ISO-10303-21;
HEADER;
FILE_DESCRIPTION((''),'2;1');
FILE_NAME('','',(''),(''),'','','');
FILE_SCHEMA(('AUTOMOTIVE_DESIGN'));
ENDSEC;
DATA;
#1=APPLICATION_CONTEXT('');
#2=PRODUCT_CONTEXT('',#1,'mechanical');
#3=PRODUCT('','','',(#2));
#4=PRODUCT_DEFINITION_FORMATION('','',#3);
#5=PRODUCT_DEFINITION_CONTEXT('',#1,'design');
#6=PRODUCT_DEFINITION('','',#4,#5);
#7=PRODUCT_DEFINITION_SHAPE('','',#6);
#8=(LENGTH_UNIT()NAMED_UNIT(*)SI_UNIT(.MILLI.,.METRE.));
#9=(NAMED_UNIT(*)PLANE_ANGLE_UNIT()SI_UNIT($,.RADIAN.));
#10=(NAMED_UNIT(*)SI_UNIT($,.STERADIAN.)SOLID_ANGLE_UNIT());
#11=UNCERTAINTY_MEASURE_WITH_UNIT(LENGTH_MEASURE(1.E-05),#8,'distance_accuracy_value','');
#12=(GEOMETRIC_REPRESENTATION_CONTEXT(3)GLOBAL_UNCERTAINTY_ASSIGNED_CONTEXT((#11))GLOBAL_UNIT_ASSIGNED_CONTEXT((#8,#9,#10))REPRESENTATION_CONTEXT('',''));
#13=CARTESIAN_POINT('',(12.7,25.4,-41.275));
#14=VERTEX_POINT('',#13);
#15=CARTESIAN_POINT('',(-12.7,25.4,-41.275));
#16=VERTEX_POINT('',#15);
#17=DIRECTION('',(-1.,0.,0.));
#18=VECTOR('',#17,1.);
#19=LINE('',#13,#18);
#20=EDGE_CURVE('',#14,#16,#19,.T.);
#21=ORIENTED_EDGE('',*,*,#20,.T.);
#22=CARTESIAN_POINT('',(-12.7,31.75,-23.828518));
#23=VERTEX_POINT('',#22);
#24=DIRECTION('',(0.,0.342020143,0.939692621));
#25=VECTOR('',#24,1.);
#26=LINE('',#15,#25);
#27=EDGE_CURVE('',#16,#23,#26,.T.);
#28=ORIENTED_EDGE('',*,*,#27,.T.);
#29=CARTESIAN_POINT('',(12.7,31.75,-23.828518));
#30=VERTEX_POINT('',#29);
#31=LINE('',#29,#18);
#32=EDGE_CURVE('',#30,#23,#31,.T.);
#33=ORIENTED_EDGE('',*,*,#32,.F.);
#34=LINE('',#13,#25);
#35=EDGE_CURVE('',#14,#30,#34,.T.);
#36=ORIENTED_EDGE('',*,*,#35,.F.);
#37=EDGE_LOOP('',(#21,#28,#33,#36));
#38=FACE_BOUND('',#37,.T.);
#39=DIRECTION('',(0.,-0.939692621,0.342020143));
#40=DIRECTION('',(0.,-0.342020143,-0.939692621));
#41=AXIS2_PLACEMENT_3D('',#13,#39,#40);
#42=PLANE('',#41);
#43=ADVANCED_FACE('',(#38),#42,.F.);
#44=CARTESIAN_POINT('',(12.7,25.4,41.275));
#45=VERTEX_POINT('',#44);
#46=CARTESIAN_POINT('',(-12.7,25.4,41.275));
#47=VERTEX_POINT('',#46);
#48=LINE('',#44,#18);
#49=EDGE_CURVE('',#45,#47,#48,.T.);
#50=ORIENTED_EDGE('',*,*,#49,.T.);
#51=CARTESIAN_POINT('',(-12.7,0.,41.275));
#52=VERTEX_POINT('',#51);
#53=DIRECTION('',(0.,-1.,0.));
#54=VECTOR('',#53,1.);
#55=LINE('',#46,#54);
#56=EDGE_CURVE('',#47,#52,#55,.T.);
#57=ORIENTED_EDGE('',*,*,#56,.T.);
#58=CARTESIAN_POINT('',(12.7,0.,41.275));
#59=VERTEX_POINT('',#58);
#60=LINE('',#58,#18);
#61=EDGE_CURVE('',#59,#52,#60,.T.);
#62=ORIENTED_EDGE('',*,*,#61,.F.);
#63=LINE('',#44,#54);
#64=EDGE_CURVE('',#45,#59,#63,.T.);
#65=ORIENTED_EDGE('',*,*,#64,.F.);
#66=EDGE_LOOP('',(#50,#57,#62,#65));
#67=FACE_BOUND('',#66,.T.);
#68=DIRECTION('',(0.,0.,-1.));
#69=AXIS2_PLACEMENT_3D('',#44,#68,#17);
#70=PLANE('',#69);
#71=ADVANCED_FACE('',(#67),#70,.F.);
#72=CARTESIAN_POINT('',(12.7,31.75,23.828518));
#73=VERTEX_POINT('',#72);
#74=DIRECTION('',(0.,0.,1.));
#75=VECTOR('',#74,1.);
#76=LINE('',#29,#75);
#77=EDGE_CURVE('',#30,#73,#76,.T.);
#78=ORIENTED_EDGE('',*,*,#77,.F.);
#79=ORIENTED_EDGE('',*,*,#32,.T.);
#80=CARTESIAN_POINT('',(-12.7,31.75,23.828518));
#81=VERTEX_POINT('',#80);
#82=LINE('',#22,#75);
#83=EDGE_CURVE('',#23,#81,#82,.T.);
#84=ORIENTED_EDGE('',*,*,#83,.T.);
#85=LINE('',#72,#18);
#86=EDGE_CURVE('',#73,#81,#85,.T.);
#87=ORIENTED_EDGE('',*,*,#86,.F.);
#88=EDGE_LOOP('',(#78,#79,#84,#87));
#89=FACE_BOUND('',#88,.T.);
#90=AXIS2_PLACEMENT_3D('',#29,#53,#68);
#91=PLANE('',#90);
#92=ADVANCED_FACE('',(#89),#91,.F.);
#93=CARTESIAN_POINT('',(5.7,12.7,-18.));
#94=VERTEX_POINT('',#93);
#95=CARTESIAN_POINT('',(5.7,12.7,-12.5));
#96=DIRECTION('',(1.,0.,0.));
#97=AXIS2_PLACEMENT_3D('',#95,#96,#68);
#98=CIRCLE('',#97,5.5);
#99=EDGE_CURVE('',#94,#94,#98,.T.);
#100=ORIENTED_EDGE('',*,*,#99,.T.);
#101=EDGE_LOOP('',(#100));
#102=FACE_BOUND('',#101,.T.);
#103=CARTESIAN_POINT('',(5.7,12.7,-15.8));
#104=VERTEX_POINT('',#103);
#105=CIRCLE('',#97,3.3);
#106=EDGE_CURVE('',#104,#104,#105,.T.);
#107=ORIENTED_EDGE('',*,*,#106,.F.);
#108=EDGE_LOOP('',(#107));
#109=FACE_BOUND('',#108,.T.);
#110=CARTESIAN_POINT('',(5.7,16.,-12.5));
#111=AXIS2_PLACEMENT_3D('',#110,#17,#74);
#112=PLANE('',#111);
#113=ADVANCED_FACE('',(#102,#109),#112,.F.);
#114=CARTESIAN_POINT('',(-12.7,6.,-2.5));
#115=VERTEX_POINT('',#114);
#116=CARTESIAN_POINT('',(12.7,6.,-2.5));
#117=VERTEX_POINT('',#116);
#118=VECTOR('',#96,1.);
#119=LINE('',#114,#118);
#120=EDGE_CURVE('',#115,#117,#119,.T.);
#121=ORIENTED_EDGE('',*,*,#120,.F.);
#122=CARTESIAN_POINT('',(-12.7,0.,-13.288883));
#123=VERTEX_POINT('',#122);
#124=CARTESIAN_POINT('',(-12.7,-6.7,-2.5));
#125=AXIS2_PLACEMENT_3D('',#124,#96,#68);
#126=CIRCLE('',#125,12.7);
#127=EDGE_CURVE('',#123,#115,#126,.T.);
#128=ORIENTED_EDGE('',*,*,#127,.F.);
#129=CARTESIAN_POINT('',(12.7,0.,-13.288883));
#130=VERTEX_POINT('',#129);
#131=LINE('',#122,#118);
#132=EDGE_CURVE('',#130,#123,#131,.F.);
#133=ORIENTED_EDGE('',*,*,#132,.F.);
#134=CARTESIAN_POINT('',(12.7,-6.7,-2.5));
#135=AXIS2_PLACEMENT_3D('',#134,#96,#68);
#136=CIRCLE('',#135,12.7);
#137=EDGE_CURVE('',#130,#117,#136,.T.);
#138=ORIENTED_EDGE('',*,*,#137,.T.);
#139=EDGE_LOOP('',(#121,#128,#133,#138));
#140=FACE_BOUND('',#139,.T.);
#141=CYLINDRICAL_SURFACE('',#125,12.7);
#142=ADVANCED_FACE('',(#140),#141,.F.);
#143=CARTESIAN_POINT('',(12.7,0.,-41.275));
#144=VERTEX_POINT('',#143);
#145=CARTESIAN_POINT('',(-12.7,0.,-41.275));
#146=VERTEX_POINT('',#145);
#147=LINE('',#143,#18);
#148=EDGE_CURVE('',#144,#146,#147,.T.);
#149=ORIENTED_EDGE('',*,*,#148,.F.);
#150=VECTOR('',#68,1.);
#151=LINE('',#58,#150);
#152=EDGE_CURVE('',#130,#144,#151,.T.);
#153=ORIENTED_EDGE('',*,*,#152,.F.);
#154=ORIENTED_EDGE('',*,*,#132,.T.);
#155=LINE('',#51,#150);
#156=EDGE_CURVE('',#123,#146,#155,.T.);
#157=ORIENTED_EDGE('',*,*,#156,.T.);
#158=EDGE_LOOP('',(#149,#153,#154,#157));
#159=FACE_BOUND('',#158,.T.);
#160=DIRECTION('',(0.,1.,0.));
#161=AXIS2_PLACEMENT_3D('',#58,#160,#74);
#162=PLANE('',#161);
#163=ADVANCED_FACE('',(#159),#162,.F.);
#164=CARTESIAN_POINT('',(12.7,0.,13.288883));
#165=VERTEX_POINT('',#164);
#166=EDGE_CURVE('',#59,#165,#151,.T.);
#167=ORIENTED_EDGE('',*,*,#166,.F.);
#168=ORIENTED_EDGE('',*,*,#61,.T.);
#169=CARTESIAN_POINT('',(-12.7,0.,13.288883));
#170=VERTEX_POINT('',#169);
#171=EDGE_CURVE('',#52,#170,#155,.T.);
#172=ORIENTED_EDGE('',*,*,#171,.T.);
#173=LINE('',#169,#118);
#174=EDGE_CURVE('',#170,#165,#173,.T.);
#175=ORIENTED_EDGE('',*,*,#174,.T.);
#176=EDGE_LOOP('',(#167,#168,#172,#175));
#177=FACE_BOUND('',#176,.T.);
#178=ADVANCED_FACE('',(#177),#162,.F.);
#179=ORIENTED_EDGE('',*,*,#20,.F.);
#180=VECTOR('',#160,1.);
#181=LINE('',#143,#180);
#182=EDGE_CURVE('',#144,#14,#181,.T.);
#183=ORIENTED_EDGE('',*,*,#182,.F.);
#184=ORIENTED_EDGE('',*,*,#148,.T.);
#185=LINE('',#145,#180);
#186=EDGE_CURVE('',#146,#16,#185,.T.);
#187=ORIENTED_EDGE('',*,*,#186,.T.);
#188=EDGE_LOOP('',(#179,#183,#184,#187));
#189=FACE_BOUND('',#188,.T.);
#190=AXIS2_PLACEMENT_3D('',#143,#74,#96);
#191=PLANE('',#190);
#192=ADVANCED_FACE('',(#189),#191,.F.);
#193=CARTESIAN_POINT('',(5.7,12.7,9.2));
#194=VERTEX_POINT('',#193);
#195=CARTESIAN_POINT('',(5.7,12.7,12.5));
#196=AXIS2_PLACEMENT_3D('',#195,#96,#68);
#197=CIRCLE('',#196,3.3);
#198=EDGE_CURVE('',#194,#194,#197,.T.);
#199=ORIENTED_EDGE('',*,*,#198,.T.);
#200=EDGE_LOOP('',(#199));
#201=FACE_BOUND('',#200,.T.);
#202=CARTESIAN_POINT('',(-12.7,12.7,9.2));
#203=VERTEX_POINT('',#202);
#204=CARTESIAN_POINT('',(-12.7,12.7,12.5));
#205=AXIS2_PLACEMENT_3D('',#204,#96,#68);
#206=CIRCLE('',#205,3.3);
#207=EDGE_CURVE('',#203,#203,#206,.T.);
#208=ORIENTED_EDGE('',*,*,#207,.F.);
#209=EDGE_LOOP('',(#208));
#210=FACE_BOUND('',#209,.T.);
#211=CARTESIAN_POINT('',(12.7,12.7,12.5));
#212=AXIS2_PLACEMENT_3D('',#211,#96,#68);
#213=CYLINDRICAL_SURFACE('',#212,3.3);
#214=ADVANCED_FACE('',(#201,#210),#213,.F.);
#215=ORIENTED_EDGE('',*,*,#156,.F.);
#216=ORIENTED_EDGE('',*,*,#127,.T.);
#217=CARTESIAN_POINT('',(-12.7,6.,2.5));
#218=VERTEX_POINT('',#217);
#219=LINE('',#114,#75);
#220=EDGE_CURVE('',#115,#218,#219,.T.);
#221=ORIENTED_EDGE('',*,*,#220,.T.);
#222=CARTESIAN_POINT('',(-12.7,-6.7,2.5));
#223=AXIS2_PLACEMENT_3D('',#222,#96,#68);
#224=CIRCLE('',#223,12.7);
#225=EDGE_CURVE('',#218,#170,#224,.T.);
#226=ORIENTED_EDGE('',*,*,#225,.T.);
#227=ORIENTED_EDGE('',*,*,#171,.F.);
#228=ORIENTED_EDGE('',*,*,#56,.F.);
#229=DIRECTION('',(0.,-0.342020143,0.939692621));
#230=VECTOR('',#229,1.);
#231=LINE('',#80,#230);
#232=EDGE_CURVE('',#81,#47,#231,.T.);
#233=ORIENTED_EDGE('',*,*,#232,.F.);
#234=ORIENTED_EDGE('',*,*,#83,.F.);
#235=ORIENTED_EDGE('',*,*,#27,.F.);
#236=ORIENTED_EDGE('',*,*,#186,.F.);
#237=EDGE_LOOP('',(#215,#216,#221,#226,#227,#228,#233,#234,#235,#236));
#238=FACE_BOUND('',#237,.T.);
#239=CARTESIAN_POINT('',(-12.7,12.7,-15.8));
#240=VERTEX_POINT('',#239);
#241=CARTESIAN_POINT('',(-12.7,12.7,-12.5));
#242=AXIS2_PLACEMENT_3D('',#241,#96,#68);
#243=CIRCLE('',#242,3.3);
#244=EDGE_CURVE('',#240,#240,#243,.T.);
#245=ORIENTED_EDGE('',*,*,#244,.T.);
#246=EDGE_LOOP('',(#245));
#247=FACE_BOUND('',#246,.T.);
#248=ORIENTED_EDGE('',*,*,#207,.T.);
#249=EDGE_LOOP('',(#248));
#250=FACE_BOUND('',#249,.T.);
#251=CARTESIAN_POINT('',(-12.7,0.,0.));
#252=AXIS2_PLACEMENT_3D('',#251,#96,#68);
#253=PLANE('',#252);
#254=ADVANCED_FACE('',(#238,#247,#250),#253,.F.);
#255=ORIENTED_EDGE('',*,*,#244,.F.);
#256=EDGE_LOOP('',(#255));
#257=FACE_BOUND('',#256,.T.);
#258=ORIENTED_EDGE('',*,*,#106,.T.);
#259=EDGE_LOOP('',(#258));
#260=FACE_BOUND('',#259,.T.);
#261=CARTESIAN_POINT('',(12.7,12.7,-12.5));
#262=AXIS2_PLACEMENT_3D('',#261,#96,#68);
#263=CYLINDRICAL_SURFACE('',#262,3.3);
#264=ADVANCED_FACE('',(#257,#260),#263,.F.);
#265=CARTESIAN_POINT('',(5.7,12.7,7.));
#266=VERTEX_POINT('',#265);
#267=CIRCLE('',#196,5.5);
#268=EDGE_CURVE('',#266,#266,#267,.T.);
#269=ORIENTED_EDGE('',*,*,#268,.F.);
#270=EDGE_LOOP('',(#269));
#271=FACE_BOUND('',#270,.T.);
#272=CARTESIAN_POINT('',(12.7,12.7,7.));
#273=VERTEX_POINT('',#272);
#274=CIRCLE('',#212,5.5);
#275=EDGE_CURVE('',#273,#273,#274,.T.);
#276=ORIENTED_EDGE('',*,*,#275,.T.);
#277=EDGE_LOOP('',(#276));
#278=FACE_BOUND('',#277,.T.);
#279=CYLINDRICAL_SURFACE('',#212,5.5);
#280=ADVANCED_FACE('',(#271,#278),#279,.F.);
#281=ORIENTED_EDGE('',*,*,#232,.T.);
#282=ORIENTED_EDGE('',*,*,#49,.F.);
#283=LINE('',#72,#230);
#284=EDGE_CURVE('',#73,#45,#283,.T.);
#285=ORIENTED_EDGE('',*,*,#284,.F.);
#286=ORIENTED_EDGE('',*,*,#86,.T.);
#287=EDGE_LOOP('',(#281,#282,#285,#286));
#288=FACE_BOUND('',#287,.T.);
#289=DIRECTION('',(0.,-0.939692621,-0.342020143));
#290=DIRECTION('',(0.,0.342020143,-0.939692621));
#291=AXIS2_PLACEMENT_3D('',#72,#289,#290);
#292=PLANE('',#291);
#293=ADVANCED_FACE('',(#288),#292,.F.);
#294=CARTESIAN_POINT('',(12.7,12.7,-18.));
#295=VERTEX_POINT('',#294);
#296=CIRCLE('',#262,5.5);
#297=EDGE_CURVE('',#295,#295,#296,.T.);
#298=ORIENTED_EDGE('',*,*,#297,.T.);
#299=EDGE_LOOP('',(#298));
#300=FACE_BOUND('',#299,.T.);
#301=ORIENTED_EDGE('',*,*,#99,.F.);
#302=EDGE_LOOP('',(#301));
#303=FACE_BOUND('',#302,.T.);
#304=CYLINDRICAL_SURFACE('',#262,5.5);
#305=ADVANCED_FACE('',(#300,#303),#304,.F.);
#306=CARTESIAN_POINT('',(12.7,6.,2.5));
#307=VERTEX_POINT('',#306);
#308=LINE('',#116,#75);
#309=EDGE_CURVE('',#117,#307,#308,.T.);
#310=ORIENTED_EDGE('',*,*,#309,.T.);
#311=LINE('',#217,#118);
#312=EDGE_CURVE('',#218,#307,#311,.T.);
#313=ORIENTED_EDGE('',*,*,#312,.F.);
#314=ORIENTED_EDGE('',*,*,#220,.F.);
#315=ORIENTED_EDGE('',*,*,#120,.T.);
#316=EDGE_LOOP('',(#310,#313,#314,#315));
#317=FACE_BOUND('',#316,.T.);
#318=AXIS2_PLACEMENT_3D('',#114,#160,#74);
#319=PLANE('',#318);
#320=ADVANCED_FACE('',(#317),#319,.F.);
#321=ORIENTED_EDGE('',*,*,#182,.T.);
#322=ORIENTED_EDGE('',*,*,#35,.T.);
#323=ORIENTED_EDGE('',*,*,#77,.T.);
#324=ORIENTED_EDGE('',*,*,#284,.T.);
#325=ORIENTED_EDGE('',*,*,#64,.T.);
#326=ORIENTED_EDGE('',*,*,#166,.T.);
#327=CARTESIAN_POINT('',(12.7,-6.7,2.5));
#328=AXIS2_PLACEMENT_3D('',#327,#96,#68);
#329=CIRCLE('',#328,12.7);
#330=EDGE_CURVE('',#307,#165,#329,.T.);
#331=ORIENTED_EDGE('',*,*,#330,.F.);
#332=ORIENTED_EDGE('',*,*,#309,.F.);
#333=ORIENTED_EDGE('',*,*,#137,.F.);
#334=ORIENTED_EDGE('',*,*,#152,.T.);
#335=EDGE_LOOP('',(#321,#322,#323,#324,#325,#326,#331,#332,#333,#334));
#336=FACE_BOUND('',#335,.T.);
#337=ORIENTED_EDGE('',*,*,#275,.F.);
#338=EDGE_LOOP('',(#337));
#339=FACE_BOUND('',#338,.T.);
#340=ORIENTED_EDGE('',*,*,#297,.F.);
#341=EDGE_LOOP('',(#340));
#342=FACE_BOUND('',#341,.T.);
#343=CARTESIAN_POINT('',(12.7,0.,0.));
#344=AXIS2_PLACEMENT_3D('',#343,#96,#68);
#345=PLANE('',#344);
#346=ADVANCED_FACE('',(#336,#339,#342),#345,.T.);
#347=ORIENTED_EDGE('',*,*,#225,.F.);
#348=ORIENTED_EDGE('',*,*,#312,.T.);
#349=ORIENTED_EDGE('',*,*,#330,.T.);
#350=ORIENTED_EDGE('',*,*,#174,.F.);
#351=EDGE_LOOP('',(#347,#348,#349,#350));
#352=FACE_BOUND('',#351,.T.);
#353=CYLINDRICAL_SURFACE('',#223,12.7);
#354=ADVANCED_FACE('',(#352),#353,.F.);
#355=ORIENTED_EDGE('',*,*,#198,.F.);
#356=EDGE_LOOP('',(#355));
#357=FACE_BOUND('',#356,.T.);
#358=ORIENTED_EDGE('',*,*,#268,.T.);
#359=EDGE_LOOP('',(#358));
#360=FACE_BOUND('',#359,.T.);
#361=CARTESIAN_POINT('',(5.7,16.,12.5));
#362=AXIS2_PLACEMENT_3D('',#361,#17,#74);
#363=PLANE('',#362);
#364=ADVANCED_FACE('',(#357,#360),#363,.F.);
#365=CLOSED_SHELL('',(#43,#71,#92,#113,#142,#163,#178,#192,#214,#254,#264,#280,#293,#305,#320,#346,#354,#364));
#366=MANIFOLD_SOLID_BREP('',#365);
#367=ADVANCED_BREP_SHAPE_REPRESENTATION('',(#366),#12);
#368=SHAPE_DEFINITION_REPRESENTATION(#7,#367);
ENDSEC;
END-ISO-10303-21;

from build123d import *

# Parameters (mm, degrees)
BOSS_EXTRUDE1_DEPTH                                 = 12.7
CBORE_FOR_M6_HEX_SOCKET_HEAD_CAP_SCREW1_D           = 6.6
CBORE_FOR_M6_HEX_SOCKET_HEAD_CAP_SCREW1_CBORE_D     = 11
CBORE_FOR_M6_HEX_SOCKET_HEAD_CAP_SCREW1_CBORE_DEPTH = 7
CUT_EXTRUDE1_DEPTH                                  = 58.938313101


with BuildPart() as part:
    # Sketch1 → Boss-Extrude1 (new, symmetric)
    with BuildSketch(Plane(origin=(0, 0, 0), x_dir=(0, 0, -1), z_dir=(1, 0, 0))):
        Polygon((-41.275, 0), (41.275, 0), (41.275, 25.4), (23.828518386, 31.75), (-23.828518386, 31.75), (-41.275, 25.4), align=None)
    extrude(amount=BOSS_EXTRUDE1_DEPTH, both=True)

    # CBORE for M6 Hex Socket Head Cap Screw1 (through all)
    with Locations(Plane(origin=(12.7, 13.34258249, -21.373421522), x_dir=(0, 1, 0), z_dir=(1, 0, 0))):
        with Locations((-0.64258249, 33.873421522), (-0.64258249, 8.873421522)):
            CounterBoreHole(CBORE_FOR_M6_HEX_SOCKET_HEAD_CAP_SCREW1_D / 2, CBORE_FOR_M6_HEX_SOCKET_HEAD_CAP_SCREW1_CBORE_D / 2, CBORE_FOR_M6_HEX_SOCKET_HEAD_CAP_SCREW1_CBORE_DEPTH)

    # Sketch5 → Cut-Extrude1 (cut, through all)
    with BuildSketch(Plane(origin=(12.7, 0, 0), x_dir=(0, 0, -1), z_dir=(1, 0, 0))):
        with BuildLine():
            Line((15.2, -15), (15.2, -6.7))
            ThreePointArc((15.2, -6.7), (11.480256121, 2.280256121), (2.5, 6))
            Line((2.5, 6), (-2.5, 6))
            ThreePointArc((-2.5, 6), (-11.480256121, 2.280256121), (-15.2, -6.7))
            Line((-15.2, -6.7), (-15.2, -15))
            Line((-15.2, -15), (15.2, -15))
        make_face()
    extrude(amount=-CUT_EXTRUDE1_DEPTH, mode=Mode.SUBTRACT)


solid = part.part
